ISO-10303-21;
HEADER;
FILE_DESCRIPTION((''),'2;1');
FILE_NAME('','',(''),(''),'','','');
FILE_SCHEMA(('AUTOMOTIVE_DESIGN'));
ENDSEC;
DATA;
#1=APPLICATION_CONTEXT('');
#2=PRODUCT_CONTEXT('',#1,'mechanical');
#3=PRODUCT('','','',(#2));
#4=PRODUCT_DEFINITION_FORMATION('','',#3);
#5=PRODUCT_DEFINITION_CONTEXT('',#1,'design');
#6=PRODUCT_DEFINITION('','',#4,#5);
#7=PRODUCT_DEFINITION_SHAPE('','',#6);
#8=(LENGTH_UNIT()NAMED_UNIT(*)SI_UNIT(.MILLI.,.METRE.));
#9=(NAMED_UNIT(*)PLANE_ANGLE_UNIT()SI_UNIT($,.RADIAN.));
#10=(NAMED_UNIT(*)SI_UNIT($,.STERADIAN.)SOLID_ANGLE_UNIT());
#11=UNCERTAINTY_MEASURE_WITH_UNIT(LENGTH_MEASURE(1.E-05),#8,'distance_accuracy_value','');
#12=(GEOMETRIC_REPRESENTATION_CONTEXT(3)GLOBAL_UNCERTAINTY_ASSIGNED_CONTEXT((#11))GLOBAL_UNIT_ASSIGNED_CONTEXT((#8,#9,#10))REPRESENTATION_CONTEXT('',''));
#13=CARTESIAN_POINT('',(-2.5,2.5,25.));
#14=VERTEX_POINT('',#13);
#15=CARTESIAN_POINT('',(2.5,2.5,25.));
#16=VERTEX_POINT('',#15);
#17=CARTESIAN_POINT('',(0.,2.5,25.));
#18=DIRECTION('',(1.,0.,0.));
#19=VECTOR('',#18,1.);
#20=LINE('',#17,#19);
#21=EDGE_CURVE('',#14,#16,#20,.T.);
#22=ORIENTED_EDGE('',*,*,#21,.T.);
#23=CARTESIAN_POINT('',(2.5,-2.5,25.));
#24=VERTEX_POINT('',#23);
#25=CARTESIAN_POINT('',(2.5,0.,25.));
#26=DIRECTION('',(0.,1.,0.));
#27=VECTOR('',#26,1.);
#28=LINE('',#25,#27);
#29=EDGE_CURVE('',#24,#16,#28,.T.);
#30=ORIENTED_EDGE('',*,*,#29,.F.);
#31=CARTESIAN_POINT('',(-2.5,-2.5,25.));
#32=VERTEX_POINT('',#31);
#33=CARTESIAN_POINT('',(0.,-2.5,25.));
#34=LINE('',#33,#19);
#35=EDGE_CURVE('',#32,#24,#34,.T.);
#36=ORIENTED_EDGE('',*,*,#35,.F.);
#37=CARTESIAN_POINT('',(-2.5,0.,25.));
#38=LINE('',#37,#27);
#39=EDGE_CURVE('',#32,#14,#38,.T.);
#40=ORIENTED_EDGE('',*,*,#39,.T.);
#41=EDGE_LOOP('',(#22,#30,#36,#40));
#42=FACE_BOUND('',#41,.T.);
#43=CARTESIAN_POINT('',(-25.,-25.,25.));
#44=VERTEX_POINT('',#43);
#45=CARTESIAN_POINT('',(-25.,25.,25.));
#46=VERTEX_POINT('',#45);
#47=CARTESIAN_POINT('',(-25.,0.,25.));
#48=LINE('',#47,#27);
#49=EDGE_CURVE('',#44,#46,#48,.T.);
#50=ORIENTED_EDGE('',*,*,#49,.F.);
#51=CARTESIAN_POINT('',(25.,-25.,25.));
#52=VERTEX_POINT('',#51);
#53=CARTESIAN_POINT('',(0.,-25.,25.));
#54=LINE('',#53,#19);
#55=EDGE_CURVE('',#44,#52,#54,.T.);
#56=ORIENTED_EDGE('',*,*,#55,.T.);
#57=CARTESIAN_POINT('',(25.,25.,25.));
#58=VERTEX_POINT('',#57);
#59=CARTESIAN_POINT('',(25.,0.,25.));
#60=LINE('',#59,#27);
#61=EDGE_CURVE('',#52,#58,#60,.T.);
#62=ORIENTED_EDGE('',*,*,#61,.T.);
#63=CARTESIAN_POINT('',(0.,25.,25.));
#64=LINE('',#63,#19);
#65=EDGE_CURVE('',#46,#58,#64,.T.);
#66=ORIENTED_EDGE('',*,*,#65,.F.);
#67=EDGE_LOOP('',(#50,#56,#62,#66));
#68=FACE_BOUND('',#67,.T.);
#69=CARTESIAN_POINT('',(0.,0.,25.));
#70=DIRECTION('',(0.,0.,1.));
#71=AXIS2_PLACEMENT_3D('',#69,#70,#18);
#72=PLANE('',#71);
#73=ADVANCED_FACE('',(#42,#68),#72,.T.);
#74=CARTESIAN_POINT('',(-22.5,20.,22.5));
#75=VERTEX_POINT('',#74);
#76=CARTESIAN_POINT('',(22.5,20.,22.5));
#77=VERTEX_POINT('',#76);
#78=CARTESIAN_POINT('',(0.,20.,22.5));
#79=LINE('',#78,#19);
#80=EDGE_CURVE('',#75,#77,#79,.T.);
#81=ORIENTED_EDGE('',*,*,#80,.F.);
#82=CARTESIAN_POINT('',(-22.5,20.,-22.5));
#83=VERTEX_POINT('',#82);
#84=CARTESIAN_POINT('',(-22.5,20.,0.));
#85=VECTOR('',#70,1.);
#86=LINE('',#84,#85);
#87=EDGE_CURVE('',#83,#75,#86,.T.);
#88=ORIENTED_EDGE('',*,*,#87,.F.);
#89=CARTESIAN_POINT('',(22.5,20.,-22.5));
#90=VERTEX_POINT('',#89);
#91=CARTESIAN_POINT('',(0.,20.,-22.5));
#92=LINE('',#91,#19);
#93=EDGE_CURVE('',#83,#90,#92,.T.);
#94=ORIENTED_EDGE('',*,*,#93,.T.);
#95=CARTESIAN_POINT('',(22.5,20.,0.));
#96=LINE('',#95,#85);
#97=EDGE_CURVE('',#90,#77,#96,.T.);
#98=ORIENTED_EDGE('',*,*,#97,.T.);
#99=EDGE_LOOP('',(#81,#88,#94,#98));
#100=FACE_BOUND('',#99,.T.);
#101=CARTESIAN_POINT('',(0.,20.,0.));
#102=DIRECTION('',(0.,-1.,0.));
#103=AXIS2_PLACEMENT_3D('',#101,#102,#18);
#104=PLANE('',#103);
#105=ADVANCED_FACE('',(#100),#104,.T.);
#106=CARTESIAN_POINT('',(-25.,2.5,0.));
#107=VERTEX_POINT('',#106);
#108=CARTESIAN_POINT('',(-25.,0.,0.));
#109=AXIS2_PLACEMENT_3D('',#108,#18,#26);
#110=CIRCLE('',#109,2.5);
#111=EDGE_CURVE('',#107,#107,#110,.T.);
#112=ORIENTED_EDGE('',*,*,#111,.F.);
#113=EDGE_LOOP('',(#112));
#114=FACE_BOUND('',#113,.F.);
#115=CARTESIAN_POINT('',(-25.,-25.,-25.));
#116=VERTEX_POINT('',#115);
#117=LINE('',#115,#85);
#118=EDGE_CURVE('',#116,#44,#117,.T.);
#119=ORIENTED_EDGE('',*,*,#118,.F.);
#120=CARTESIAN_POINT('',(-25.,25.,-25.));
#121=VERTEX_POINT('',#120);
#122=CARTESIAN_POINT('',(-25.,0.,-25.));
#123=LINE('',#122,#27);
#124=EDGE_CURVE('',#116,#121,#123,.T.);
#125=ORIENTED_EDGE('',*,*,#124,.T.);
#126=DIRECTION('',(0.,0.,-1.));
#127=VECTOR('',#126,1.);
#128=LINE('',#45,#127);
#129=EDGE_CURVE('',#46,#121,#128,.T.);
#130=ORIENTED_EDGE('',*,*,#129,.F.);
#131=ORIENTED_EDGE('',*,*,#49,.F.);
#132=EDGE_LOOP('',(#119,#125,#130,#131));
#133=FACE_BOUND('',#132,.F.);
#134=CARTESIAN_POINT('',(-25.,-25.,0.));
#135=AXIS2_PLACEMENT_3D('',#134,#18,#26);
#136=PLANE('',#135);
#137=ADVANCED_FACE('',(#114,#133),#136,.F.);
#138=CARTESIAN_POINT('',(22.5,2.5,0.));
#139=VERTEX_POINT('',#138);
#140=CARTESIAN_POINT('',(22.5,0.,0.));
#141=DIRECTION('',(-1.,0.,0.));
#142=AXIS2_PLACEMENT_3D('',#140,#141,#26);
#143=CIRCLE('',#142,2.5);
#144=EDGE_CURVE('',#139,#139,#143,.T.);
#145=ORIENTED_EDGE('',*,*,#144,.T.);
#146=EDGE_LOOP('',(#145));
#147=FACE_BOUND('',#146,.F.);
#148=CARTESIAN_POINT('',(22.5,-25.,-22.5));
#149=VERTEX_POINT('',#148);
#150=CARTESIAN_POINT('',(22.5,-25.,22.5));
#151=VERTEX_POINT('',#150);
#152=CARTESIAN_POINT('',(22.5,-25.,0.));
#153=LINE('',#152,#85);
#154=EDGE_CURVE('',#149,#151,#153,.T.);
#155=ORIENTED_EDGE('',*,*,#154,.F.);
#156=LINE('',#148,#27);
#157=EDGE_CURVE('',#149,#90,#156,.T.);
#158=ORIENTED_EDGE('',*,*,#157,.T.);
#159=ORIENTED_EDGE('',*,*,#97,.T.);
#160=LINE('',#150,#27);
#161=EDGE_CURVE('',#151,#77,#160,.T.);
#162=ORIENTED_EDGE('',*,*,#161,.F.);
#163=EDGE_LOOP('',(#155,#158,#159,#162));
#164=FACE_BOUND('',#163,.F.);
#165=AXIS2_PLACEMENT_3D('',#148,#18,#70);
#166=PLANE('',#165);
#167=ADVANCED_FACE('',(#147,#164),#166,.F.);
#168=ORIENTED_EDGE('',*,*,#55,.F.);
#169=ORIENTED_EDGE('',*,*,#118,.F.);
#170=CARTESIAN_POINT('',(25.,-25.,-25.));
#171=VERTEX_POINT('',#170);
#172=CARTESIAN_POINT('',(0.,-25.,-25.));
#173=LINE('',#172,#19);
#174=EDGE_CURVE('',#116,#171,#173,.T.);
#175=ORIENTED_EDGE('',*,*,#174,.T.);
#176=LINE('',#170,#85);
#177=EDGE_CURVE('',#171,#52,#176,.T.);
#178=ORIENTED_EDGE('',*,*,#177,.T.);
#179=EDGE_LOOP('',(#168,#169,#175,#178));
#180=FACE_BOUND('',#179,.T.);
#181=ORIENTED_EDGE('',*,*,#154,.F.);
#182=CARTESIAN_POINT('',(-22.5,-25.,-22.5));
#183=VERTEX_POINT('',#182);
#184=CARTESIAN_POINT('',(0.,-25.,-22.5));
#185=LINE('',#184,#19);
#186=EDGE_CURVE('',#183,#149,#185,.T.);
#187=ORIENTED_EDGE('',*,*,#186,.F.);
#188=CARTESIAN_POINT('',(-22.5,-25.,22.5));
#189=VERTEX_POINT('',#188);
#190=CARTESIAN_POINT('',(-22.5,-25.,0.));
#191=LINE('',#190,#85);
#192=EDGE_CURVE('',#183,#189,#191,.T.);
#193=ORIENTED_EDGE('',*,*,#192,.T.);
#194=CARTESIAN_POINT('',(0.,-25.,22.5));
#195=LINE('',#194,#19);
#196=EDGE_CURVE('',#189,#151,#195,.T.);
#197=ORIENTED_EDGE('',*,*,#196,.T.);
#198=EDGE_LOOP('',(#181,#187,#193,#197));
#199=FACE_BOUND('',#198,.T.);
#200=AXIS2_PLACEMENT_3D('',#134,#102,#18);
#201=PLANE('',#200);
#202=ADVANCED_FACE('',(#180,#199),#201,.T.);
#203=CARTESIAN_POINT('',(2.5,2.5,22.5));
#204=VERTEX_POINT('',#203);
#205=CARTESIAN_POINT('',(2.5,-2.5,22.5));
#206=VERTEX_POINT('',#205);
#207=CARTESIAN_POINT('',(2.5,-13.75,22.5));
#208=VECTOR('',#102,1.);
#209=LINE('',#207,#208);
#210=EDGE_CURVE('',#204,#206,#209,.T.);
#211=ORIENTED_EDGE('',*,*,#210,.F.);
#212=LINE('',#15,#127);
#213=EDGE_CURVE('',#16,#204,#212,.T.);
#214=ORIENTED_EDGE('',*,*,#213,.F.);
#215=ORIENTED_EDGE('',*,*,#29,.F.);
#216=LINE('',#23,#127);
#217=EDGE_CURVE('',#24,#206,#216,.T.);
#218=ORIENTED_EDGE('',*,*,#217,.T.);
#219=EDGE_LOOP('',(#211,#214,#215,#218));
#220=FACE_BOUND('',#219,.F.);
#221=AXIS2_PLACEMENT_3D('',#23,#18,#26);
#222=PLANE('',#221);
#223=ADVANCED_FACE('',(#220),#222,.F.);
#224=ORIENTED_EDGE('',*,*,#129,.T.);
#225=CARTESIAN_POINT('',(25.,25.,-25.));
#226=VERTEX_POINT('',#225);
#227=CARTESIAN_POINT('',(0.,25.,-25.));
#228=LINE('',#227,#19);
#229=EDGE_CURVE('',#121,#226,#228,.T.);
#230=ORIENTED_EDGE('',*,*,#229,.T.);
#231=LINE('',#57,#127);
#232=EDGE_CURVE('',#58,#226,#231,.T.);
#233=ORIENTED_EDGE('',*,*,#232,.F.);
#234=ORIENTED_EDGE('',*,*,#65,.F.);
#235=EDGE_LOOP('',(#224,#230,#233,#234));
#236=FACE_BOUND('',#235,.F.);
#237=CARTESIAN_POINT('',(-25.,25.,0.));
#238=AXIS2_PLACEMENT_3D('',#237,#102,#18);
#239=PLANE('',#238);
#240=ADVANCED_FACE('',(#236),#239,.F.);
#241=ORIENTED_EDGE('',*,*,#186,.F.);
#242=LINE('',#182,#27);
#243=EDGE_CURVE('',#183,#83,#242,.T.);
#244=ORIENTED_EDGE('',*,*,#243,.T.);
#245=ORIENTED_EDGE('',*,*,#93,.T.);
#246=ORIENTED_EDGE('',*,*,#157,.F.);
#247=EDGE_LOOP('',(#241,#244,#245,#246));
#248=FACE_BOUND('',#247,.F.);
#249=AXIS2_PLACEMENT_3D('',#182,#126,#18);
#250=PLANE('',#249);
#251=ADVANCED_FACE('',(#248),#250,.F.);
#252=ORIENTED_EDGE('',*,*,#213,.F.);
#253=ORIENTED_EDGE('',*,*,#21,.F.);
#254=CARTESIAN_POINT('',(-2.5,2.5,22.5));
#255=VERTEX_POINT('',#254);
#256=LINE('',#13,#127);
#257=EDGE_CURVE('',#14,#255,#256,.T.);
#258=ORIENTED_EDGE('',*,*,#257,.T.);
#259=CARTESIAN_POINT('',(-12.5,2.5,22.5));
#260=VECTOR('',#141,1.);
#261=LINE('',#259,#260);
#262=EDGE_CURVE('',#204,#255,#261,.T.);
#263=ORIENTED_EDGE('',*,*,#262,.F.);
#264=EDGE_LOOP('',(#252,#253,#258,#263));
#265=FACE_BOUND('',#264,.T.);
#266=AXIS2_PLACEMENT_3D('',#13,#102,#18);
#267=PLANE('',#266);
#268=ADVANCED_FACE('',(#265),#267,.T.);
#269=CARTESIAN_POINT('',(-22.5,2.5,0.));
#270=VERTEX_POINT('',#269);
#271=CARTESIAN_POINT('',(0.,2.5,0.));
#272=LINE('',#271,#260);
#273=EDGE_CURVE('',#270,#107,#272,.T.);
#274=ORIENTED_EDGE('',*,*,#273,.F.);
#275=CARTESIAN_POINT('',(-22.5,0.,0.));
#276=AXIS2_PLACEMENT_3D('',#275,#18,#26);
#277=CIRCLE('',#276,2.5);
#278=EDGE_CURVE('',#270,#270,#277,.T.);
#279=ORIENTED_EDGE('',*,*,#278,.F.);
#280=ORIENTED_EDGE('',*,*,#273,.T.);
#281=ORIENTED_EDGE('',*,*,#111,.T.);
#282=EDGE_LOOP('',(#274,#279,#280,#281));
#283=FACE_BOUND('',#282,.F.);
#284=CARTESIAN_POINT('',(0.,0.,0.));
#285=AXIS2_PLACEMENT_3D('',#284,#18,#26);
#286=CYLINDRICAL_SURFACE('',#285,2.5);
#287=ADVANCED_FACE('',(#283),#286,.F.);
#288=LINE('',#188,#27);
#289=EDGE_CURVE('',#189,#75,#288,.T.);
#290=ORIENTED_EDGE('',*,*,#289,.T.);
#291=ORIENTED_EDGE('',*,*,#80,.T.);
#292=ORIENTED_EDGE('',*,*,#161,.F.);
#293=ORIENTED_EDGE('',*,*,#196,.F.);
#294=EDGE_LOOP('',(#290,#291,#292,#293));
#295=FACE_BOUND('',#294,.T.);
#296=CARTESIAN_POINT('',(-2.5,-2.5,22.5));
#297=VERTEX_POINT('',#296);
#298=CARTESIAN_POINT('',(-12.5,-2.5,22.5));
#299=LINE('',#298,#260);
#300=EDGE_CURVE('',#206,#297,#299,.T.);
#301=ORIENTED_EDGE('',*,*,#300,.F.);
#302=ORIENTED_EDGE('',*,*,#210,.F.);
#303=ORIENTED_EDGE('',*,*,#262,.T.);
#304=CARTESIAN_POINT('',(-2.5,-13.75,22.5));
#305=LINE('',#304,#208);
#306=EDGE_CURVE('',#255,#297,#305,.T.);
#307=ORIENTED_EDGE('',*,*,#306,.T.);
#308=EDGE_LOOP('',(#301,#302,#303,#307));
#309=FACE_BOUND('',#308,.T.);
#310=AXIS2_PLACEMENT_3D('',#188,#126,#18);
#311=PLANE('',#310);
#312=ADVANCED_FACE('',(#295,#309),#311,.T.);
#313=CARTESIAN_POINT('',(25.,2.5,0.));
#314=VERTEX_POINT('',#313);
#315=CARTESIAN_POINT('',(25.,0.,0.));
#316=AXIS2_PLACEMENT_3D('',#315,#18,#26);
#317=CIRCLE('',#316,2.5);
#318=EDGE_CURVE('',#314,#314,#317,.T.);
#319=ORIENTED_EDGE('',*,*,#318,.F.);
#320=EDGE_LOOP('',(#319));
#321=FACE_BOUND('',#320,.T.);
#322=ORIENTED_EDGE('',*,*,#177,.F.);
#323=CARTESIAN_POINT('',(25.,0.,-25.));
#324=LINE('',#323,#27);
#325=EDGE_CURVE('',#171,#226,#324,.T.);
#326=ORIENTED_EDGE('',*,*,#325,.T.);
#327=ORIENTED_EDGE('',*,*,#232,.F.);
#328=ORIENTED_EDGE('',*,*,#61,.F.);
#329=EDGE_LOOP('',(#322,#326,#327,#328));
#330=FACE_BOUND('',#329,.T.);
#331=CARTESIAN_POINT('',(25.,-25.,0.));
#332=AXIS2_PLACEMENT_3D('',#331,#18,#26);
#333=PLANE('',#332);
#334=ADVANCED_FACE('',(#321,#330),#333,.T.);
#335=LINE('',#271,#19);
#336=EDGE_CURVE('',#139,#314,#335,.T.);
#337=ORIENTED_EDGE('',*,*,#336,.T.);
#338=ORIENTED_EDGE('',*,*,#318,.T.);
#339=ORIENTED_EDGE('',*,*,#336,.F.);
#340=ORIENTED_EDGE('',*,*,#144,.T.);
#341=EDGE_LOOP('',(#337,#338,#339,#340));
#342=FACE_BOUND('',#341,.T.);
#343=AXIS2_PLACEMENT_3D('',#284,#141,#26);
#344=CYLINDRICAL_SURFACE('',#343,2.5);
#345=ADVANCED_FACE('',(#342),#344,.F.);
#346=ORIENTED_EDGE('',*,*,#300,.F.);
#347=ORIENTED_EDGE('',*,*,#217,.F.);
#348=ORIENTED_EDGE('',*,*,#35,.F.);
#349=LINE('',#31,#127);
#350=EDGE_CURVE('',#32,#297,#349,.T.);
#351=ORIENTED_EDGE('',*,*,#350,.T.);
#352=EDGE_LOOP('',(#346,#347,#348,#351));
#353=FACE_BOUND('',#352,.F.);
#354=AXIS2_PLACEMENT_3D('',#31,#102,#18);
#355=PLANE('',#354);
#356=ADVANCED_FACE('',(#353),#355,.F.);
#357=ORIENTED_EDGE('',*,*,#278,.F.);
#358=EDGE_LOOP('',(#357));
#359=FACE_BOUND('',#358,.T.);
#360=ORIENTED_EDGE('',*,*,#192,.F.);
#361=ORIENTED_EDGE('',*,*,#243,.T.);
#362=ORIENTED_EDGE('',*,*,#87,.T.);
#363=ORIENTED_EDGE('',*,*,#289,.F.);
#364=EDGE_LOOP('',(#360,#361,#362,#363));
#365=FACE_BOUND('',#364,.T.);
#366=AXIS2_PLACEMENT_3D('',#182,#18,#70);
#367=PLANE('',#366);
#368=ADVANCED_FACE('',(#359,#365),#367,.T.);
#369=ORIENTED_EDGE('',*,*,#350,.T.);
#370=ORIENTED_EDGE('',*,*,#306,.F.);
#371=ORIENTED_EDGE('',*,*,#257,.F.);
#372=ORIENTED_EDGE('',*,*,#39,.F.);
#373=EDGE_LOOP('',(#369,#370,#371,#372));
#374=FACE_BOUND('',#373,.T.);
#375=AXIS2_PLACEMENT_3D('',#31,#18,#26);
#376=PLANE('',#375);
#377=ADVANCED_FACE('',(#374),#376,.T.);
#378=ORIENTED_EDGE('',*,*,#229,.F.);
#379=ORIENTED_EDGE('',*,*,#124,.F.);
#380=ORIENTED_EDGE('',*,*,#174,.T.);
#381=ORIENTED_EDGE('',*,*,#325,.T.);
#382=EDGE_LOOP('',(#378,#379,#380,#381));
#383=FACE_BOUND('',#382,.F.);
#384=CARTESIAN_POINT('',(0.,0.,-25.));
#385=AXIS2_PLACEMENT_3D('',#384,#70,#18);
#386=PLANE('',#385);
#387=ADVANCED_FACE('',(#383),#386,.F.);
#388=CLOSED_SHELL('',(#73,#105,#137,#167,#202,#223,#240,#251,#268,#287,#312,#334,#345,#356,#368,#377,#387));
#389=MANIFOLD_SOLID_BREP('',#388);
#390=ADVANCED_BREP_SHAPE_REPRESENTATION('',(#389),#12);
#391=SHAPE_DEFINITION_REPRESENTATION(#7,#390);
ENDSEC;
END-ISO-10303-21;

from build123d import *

# Parameters (mm, degrees)
F0_W          = 50
F0_H          = 50
F1_DEPTH      = 25
F1_DEPTH_BACK = 25
F2_W          = 45
F2_H          = 45
F3_DEPTH      = 45
F4_W          = 5
F4_H          = 5
F5_DEPTH      = 5
F6_R          = 2.5
F7_DEPTH      = 50
F7_DEPTH_BACK = 25


with BuildPart() as f1:
    # F0 (on Top) → F1 (new body, two sides)
    with BuildSketch(Plane.XY) as f1_sk:
        Rectangle(F0_W, F0_H)
    extrude(amount=F1_DEPTH)
    extrude(f1_sk.sketch, amount=-F1_DEPTH_BACK)

    # F2 (on face) → F3 (cut)
    with BuildSketch(Plane.XZ.offset(25)):
        Rectangle(F2_W, F2_H)
    extrude(amount=-F3_DEPTH, mode=Mode.SUBTRACT)

    # F4 (on face) → F5 (cut)
    with BuildSketch(Plane.XY.offset(25)):
        Rectangle(F4_W, F4_H)
    extrude(amount=-F5_DEPTH, mode=Mode.SUBTRACT)

    # F6 (on Right) → F7 (cut, two sides)
    with BuildSketch(Plane.YZ) as f7_sk:
        Circle(F6_R)
    extrude(amount=-F7_DEPTH, mode=Mode.SUBTRACT)
    extrude(f7_sk.sketch, amount=F7_DEPTH_BACK, mode=Mode.SUBTRACT)


solid = f1.part
